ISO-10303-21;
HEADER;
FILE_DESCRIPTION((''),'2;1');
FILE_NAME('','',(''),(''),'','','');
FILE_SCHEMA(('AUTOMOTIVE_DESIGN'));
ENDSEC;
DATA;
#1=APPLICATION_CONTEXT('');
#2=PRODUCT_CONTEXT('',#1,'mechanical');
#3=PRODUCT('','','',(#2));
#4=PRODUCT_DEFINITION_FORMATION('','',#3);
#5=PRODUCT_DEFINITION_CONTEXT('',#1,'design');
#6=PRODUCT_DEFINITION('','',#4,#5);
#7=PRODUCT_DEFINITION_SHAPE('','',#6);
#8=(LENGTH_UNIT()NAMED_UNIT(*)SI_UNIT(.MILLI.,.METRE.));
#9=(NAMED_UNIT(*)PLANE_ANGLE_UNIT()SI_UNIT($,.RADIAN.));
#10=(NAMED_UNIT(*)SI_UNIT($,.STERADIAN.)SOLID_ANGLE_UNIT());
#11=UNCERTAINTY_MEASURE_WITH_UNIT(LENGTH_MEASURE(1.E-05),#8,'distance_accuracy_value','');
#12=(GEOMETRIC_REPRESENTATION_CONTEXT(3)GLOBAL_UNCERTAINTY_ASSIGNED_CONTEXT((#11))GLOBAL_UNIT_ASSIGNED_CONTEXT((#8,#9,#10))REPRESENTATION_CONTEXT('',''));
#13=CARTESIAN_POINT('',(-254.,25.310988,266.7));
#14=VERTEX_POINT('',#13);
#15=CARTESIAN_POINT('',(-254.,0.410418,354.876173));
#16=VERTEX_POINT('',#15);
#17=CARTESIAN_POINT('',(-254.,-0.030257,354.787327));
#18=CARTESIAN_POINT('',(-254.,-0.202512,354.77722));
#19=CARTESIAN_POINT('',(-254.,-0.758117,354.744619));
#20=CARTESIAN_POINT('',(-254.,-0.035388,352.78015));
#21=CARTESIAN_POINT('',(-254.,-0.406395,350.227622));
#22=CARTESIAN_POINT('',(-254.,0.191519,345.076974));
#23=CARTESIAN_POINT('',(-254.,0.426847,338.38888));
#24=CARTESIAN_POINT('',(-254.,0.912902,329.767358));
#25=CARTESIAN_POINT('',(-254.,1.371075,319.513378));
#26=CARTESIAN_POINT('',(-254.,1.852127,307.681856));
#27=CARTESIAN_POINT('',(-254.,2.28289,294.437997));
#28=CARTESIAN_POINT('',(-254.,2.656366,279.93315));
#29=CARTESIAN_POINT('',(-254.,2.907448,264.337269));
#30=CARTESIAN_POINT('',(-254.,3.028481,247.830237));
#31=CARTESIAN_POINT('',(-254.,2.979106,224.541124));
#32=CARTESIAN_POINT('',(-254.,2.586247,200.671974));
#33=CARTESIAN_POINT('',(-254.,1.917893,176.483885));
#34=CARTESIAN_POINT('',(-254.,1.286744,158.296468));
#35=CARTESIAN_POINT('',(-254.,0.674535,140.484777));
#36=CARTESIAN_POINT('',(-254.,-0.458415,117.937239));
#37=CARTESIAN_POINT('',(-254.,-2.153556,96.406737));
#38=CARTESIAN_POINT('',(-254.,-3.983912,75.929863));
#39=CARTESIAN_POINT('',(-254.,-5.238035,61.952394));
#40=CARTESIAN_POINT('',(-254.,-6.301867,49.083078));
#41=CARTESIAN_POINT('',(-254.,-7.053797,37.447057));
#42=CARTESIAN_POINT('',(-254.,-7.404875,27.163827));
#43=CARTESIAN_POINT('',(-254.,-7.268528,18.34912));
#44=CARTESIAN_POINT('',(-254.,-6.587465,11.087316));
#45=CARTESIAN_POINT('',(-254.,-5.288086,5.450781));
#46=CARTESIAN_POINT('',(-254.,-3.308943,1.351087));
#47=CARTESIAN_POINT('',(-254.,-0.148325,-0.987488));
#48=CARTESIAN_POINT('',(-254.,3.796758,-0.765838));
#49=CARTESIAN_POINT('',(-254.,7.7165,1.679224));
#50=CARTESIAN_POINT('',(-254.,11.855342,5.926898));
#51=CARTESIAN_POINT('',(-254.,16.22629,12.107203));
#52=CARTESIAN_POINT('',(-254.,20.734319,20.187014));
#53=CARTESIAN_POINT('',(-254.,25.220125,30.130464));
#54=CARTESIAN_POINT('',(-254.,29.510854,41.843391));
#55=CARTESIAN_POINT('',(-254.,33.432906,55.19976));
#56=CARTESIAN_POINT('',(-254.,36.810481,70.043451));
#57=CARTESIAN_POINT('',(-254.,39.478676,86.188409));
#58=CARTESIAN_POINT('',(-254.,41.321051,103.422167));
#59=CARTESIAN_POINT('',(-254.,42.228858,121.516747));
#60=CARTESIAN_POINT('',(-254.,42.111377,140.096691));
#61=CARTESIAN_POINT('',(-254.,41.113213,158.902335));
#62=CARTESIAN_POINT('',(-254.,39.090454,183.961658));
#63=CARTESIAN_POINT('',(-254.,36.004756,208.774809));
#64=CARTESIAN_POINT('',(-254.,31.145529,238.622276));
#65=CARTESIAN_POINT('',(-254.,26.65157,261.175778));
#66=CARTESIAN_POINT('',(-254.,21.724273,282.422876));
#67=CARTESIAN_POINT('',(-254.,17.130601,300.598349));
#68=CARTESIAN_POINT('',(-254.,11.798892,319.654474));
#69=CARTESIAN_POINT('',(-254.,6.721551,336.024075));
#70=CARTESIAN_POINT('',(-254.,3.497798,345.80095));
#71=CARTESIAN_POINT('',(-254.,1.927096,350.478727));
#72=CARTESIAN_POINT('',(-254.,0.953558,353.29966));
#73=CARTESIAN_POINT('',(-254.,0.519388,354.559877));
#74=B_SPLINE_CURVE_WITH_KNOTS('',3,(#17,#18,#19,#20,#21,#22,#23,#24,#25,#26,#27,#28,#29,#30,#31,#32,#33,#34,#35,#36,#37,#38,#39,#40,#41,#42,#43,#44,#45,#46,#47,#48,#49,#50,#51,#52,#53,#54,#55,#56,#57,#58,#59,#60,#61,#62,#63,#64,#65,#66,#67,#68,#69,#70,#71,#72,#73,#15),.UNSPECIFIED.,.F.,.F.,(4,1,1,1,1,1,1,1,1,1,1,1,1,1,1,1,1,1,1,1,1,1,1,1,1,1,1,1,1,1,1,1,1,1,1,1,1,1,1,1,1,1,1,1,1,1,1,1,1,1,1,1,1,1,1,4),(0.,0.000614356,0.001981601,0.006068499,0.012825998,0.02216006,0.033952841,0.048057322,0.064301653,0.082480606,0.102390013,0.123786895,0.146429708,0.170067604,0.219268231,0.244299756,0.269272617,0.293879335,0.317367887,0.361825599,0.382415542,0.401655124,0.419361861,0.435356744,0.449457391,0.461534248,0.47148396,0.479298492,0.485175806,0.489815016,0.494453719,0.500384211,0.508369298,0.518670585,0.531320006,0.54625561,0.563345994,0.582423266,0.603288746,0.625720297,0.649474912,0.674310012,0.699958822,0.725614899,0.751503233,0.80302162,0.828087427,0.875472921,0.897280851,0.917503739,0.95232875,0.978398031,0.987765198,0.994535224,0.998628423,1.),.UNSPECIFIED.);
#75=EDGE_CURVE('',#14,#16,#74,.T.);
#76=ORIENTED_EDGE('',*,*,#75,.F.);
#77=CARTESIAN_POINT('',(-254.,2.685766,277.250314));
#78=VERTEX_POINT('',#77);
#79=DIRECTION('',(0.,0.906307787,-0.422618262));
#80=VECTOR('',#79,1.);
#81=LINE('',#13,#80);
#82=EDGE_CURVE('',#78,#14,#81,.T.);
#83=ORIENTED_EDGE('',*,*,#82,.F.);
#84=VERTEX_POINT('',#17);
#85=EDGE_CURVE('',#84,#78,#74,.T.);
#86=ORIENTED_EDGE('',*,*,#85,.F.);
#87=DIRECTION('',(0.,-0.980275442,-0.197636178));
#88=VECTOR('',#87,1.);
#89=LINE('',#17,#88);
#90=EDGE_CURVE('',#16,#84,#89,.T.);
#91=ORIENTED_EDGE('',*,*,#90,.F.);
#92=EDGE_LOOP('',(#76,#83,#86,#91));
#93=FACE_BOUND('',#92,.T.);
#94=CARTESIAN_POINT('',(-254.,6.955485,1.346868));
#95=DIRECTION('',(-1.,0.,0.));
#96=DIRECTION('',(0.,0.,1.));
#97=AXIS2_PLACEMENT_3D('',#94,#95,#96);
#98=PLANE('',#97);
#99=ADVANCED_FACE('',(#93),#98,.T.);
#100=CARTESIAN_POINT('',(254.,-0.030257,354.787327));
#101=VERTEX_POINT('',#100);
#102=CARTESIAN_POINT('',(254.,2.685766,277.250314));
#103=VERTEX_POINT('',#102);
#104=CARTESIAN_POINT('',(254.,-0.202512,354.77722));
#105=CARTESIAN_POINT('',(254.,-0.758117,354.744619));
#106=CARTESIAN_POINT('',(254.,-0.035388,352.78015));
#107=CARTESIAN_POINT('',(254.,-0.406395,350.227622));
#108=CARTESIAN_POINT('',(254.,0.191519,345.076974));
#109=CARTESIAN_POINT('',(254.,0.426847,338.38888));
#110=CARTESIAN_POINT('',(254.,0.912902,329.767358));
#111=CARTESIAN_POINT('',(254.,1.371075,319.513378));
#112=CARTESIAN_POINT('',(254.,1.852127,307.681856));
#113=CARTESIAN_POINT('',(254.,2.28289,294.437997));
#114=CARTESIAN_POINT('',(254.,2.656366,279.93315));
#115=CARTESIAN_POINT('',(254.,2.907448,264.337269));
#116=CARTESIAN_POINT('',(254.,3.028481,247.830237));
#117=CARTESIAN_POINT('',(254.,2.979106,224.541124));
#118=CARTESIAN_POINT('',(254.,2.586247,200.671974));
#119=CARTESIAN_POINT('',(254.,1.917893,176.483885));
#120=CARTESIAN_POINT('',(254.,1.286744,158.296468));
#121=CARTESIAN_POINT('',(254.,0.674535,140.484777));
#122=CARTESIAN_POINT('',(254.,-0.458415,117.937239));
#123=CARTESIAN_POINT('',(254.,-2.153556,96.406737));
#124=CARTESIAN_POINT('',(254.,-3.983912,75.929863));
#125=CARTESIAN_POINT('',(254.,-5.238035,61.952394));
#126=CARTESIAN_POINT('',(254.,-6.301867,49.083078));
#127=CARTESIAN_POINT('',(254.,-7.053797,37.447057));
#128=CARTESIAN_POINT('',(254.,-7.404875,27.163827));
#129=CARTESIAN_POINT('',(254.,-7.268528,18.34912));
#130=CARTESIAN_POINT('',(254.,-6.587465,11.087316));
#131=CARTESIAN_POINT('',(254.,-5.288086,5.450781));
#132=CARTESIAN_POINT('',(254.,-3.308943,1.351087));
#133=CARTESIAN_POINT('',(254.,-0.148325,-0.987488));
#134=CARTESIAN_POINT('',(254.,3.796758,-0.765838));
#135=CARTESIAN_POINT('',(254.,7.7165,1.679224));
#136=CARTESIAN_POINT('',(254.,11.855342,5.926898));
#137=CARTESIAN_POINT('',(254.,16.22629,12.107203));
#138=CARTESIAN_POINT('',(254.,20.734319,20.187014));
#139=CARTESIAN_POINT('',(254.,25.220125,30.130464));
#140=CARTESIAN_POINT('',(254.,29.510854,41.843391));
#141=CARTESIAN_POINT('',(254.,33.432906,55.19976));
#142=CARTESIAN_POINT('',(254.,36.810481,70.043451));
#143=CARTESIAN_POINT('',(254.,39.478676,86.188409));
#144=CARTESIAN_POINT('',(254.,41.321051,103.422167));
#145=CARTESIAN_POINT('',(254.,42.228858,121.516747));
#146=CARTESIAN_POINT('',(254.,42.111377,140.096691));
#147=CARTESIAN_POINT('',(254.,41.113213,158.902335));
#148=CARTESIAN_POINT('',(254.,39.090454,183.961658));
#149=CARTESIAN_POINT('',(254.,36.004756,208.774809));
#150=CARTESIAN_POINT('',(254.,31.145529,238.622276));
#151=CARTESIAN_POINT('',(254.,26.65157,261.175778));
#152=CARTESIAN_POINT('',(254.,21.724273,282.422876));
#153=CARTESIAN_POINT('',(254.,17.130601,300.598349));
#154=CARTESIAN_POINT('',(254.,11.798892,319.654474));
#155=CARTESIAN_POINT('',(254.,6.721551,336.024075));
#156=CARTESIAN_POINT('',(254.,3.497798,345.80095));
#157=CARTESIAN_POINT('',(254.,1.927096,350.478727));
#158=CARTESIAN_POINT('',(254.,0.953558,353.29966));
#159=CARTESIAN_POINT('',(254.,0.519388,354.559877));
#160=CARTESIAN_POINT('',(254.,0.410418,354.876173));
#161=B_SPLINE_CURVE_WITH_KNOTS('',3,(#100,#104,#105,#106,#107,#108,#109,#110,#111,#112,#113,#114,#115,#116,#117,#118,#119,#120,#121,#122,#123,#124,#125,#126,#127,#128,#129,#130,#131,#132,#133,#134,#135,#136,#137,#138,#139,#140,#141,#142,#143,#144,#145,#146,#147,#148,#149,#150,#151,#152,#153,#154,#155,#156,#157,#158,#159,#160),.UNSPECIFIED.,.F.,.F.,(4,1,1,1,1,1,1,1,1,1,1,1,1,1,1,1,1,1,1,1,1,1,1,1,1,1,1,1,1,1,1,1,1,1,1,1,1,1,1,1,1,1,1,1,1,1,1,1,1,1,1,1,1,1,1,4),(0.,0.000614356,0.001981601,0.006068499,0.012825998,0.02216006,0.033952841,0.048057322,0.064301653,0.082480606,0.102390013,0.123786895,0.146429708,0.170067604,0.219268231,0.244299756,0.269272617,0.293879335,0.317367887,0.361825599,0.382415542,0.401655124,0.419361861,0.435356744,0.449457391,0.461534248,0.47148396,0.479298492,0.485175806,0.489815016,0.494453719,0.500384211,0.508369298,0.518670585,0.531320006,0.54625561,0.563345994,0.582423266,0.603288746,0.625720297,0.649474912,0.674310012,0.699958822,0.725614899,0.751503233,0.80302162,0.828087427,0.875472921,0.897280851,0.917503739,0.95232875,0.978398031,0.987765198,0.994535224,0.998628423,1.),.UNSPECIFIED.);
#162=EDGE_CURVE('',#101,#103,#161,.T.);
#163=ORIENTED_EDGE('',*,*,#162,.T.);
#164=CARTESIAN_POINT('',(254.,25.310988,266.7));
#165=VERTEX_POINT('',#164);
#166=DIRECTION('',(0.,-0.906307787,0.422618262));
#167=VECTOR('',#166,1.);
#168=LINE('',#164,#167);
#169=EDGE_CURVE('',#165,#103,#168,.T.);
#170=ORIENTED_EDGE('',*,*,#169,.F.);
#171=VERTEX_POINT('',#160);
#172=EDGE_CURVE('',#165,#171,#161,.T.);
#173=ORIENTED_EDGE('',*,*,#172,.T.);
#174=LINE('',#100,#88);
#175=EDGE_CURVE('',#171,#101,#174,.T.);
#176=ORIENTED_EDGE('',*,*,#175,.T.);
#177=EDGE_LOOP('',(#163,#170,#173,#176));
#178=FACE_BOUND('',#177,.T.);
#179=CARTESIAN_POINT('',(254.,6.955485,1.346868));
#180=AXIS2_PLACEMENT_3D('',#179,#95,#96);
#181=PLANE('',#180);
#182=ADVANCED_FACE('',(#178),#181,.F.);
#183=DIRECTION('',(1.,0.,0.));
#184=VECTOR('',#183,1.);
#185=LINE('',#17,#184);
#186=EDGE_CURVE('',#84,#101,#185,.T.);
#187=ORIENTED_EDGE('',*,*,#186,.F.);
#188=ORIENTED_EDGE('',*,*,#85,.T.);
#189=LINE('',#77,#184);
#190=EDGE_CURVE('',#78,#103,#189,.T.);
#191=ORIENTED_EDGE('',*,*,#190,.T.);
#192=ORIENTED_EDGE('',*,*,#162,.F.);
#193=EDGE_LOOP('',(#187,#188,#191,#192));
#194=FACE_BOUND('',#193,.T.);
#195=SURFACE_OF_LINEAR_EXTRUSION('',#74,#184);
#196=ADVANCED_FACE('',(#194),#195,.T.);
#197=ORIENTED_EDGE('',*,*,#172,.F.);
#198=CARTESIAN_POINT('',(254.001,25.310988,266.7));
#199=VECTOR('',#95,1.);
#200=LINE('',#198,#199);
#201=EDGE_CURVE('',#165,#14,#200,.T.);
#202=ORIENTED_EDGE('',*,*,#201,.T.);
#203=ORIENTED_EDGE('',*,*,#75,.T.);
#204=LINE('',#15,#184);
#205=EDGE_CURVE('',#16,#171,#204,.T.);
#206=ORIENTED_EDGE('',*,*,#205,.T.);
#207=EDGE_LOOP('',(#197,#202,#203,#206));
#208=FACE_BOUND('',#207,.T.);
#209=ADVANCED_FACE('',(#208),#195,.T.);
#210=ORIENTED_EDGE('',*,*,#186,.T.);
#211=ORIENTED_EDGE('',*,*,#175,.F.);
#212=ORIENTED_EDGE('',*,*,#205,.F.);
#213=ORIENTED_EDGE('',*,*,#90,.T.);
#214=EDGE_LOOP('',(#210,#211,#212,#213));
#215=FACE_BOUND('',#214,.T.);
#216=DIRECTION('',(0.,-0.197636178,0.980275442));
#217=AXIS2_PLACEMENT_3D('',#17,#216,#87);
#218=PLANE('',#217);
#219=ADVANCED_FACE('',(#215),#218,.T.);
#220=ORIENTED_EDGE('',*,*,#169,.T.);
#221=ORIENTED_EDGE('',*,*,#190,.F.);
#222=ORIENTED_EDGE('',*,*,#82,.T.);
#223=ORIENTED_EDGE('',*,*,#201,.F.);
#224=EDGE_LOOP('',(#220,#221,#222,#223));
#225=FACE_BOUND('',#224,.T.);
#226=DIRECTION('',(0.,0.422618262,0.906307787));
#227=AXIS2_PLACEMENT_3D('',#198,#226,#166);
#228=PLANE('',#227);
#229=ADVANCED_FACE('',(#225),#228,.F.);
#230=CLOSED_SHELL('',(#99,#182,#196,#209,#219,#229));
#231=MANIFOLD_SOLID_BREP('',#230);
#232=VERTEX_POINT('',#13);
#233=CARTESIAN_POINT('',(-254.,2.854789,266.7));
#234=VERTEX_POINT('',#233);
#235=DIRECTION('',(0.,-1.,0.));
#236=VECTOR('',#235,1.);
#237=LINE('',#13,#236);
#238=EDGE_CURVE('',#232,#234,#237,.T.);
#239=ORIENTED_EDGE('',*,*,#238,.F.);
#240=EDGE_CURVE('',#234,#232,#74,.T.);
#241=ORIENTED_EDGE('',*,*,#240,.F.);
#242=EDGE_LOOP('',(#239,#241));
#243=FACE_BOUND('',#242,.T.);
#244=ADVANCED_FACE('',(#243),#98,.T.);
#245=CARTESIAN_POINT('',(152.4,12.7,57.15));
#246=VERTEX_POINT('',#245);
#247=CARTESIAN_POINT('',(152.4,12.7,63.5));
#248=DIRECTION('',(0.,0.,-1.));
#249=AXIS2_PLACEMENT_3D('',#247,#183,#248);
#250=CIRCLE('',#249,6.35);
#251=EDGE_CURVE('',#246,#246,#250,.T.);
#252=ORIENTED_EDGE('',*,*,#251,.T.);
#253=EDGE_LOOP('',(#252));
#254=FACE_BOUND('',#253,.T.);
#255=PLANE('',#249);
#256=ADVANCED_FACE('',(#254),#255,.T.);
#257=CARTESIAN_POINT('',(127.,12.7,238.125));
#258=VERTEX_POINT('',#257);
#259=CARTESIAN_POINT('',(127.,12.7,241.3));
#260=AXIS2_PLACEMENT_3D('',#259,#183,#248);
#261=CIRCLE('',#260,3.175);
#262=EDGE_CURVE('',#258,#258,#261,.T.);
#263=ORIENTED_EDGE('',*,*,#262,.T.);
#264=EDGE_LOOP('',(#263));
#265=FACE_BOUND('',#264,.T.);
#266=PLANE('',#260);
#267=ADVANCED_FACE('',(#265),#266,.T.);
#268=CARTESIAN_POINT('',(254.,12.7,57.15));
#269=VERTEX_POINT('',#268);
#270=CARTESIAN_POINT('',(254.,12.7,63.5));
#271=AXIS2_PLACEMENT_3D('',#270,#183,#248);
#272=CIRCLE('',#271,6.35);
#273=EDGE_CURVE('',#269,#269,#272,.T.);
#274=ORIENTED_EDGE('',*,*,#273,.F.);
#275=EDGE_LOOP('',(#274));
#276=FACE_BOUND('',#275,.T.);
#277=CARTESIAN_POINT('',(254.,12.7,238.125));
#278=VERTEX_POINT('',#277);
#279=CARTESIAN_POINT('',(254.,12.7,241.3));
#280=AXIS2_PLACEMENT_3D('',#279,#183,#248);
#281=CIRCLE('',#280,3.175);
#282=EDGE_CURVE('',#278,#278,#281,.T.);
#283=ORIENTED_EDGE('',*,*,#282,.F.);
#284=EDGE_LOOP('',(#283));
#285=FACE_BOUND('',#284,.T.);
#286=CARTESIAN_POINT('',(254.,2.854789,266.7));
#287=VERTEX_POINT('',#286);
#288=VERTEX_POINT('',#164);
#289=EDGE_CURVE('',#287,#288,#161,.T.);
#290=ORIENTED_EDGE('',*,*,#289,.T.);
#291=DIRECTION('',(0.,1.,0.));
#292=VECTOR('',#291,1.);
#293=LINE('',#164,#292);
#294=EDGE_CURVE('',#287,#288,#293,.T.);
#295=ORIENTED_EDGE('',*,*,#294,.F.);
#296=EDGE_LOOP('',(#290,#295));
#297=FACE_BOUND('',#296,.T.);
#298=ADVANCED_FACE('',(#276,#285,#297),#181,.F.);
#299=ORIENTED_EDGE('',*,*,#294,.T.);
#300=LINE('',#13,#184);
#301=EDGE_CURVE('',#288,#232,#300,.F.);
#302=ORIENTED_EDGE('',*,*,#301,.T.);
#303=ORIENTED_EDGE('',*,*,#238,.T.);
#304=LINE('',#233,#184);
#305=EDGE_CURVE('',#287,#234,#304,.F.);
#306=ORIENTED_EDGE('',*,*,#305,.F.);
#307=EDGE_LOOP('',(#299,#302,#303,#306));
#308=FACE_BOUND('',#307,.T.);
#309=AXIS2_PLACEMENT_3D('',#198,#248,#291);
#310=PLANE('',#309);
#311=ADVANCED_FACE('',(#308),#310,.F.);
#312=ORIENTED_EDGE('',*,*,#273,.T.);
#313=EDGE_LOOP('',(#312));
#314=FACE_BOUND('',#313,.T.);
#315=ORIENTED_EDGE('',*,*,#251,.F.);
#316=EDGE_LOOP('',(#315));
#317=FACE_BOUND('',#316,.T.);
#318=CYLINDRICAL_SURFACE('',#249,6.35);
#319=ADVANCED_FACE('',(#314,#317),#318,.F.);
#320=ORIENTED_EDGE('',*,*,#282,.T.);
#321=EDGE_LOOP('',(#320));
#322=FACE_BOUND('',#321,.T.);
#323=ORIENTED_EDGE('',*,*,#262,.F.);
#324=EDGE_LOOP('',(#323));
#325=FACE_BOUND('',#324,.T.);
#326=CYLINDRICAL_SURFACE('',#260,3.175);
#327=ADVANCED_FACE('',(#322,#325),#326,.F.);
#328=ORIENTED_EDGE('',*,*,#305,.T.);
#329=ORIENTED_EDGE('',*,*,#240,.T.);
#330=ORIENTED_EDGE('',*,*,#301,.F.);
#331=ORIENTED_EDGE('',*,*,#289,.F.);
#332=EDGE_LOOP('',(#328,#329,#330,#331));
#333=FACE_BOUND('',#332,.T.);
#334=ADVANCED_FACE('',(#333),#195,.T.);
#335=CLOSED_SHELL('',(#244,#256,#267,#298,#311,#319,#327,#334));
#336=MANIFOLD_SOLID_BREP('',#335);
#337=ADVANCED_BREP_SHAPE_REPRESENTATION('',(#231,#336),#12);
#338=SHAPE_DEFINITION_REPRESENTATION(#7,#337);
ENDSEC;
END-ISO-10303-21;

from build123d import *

# Parameters (mm, degrees)
BOSS_EXTRUDE1_DEPTH      = 254
BOSS_EXTRUDE1_DEPTH_BACK = 254
CUT_EXTRUDE1_REACH       = 623.109
SKETCH5_R                = 6.35
CUT_EXTRUDE3_DEPTH       = 101.6
SKETCH6_R                = 3.175
CUT_EXTRUDE4_DEPTH       = 127


with BuildPart() as part:
    # Sketch1 → Boss-Extrude1 (new, two sides: drawn at the far end of the back side and taken through both)
    with BuildSketch(Plane(origin=(0, 0, 0), x_dir=(0, 0, -1), z_dir=(1, 0, 0)).offset(-BOSS_EXTRUDE1_DEPTH_BACK)):
        with BuildLine():
            Line((-354.787327228, -0.030257196), (-354.876173011, 0.410417887))
            add(Edge.make_bspline(
                [(-354.876173011, 0.410417887), (-354.559877309, 0.519388), (-353.29965963, 0.95355787), (-350.47872665, 1.927095868), (-345.800950265, 3.497798274), (-336.024074692, 6.721551148), (-319.654473712, 11.798891927), (-300.598349456, 17.130600639), (-282.422876264, 21.724272526), (-261.175777938, 26.651569731), (-238.622276389, 31.145528798), (-208.774809213, 36.004755717), (-183.96165787, 39.090454058), (-158.902335219, 41.113212891), (-140.096691022, 42.111376668), (-121.516747473, 42.228858195), (-103.422167262, 41.321050632), (-86.188408528, 39.478676181), (-70.043450957, 36.810480574), (-55.199760436, 33.432905997), (-41.843390777, 29.510854383), (-30.130463623, 25.220125297), (-20.187014188, 20.73431935), (-12.107203154, 16.226289935), (-5.926897661, 11.855341958), (-1.679224073, 7.716499794), (0.765838065, 3.796757813), (0.987487677, -0.148325216), (-1.35108726, -3.308943186), (-5.450780885, -5.288085739), (-11.087315968, -6.587464624), (-18.34911979, -7.268527656), (-27.163826626, -7.404874951), (-37.447057223, -7.053797092), (-49.083078017, -6.301866785), (-61.95239395, -5.238034817), (-75.929862643, -3.983911698), (-96.406736552, -2.153555858), (-117.937239158, -0.458414508), (-140.484776897, 0.674535203), (-158.296467959, 1.286744043), (-176.48388462, 1.917893193), (-200.671973719, 2.586246563), (-224.541124114, 2.979106232), (-247.830237405, 3.028480659), (-264.337268621, 2.907447598), (-279.933149694, 2.656365926), (-294.437996632, 2.282890374), (-307.681856469, 1.852126627), (-319.513378006, 1.371074809), (-329.767358246, 0.912902227), (-338.388880463, 0.426846955), (-345.076973543, 0.191518705), (-350.227621538, -0.406394891), (-352.780150329, -0.035387827), (-354.744619464, -0.75811662), (-354.777220059, -0.20251155), (-354.787327228, -0.030257196)],
                knots=[0, 0, 0, 0, 0.001371577, 0.005464776, 0.012234802, 0.021601969, 0.04767125, 0.082496261, 0.102719149, 0.124527079, 0.171912573, 0.19697838, 0.248496767, 0.274385101, 0.300041178, 0.325689988, 0.350525088, 0.374279703, 0.396711254, 0.417576734, 0.436654006, 0.45374439, 0.468679994, 0.481329415, 0.491630702, 0.499615789, 0.505546281, 0.510184984, 0.514824194, 0.520701508, 0.52851604, 0.538465752, 0.550542609, 0.564643256, 0.580638139, 0.598344876, 0.617584458, 0.638174401, 0.682632113, 0.706120665, 0.730727383, 0.755700244, 0.780731769, 0.829932396, 0.853570292, 0.876213105, 0.897609987, 0.917519394, 0.935698347, 0.951942678, 0.966047159, 0.97783994, 0.987174002, 0.993931501, 0.998018399, 0.999385644, 1, 1, 1, 1], degree=3))
        make_face()
    extrude(amount=BOSS_EXTRUDE1_DEPTH + BOSS_EXTRUDE1_DEPTH_BACK)

    # Sketch2 → Cut-Extrude1 (cut, up to next)
    with BuildSketch(Plane.ZY.offset(254), mode=Mode.PRIVATE) as cut_extrude1_sk1:
        Polygon((266.7, 25.310988042), (266.7, 2.06571301), (277.539449763, 2.06571301), align=None)
    cut_extrude1_tool1 = extrude(cut_extrude1_sk1.sketch, amount=-CUT_EXTRUDE1_REACH, mode=Mode.PRIVATE) & part.part
    add(cut_extrude1_tool1.solids().sort_by_distance((-254, 9.814138, 270.31315))[0], mode=Mode.SUBTRACT)


with BuildPart() as cut_extrude1_piece_1:
    # of the separate pieces the step leaves, piece 1, a body of its own (cut_extrude1_pieces)
    add(part.part.solids().sort_by_distance((0, 2.854788865, 266.7))[0])

    # Sketch5 → Cut-Extrude3 (cut)
    with BuildSketch(Plane(origin=(254, 0, 0), x_dir=(0, 0, -1), z_dir=(1, 0, 0))):
        with Locations((-63.5, 12.7)):
            Circle(SKETCH5_R)
    extrude(amount=-CUT_EXTRUDE3_DEPTH, mode=Mode.SUBTRACT)

    # Sketch6 → Cut-Extrude4 (cut)
    with BuildSketch(Plane(origin=(254, 0, 0), x_dir=(0, 0, -1), z_dir=(1, 0, 0))):
        with Locations((-241.3, 12.7)):
            Circle(SKETCH6_R)
    extrude(amount=-CUT_EXTRUDE4_DEPTH, mode=Mode.SUBTRACT)


with BuildPart() as cut_extrude1_piece_2:
    # of the separate pieces the step leaves, piece 2, a body of its own (cut_extrude1_pieces)
    add(part.part.solids().sort_by_distance((0, -0.030257196, 354.787327228))[0])


solid = Compound([cut_extrude1_piece_1.part, cut_extrude1_piece_2.part])
